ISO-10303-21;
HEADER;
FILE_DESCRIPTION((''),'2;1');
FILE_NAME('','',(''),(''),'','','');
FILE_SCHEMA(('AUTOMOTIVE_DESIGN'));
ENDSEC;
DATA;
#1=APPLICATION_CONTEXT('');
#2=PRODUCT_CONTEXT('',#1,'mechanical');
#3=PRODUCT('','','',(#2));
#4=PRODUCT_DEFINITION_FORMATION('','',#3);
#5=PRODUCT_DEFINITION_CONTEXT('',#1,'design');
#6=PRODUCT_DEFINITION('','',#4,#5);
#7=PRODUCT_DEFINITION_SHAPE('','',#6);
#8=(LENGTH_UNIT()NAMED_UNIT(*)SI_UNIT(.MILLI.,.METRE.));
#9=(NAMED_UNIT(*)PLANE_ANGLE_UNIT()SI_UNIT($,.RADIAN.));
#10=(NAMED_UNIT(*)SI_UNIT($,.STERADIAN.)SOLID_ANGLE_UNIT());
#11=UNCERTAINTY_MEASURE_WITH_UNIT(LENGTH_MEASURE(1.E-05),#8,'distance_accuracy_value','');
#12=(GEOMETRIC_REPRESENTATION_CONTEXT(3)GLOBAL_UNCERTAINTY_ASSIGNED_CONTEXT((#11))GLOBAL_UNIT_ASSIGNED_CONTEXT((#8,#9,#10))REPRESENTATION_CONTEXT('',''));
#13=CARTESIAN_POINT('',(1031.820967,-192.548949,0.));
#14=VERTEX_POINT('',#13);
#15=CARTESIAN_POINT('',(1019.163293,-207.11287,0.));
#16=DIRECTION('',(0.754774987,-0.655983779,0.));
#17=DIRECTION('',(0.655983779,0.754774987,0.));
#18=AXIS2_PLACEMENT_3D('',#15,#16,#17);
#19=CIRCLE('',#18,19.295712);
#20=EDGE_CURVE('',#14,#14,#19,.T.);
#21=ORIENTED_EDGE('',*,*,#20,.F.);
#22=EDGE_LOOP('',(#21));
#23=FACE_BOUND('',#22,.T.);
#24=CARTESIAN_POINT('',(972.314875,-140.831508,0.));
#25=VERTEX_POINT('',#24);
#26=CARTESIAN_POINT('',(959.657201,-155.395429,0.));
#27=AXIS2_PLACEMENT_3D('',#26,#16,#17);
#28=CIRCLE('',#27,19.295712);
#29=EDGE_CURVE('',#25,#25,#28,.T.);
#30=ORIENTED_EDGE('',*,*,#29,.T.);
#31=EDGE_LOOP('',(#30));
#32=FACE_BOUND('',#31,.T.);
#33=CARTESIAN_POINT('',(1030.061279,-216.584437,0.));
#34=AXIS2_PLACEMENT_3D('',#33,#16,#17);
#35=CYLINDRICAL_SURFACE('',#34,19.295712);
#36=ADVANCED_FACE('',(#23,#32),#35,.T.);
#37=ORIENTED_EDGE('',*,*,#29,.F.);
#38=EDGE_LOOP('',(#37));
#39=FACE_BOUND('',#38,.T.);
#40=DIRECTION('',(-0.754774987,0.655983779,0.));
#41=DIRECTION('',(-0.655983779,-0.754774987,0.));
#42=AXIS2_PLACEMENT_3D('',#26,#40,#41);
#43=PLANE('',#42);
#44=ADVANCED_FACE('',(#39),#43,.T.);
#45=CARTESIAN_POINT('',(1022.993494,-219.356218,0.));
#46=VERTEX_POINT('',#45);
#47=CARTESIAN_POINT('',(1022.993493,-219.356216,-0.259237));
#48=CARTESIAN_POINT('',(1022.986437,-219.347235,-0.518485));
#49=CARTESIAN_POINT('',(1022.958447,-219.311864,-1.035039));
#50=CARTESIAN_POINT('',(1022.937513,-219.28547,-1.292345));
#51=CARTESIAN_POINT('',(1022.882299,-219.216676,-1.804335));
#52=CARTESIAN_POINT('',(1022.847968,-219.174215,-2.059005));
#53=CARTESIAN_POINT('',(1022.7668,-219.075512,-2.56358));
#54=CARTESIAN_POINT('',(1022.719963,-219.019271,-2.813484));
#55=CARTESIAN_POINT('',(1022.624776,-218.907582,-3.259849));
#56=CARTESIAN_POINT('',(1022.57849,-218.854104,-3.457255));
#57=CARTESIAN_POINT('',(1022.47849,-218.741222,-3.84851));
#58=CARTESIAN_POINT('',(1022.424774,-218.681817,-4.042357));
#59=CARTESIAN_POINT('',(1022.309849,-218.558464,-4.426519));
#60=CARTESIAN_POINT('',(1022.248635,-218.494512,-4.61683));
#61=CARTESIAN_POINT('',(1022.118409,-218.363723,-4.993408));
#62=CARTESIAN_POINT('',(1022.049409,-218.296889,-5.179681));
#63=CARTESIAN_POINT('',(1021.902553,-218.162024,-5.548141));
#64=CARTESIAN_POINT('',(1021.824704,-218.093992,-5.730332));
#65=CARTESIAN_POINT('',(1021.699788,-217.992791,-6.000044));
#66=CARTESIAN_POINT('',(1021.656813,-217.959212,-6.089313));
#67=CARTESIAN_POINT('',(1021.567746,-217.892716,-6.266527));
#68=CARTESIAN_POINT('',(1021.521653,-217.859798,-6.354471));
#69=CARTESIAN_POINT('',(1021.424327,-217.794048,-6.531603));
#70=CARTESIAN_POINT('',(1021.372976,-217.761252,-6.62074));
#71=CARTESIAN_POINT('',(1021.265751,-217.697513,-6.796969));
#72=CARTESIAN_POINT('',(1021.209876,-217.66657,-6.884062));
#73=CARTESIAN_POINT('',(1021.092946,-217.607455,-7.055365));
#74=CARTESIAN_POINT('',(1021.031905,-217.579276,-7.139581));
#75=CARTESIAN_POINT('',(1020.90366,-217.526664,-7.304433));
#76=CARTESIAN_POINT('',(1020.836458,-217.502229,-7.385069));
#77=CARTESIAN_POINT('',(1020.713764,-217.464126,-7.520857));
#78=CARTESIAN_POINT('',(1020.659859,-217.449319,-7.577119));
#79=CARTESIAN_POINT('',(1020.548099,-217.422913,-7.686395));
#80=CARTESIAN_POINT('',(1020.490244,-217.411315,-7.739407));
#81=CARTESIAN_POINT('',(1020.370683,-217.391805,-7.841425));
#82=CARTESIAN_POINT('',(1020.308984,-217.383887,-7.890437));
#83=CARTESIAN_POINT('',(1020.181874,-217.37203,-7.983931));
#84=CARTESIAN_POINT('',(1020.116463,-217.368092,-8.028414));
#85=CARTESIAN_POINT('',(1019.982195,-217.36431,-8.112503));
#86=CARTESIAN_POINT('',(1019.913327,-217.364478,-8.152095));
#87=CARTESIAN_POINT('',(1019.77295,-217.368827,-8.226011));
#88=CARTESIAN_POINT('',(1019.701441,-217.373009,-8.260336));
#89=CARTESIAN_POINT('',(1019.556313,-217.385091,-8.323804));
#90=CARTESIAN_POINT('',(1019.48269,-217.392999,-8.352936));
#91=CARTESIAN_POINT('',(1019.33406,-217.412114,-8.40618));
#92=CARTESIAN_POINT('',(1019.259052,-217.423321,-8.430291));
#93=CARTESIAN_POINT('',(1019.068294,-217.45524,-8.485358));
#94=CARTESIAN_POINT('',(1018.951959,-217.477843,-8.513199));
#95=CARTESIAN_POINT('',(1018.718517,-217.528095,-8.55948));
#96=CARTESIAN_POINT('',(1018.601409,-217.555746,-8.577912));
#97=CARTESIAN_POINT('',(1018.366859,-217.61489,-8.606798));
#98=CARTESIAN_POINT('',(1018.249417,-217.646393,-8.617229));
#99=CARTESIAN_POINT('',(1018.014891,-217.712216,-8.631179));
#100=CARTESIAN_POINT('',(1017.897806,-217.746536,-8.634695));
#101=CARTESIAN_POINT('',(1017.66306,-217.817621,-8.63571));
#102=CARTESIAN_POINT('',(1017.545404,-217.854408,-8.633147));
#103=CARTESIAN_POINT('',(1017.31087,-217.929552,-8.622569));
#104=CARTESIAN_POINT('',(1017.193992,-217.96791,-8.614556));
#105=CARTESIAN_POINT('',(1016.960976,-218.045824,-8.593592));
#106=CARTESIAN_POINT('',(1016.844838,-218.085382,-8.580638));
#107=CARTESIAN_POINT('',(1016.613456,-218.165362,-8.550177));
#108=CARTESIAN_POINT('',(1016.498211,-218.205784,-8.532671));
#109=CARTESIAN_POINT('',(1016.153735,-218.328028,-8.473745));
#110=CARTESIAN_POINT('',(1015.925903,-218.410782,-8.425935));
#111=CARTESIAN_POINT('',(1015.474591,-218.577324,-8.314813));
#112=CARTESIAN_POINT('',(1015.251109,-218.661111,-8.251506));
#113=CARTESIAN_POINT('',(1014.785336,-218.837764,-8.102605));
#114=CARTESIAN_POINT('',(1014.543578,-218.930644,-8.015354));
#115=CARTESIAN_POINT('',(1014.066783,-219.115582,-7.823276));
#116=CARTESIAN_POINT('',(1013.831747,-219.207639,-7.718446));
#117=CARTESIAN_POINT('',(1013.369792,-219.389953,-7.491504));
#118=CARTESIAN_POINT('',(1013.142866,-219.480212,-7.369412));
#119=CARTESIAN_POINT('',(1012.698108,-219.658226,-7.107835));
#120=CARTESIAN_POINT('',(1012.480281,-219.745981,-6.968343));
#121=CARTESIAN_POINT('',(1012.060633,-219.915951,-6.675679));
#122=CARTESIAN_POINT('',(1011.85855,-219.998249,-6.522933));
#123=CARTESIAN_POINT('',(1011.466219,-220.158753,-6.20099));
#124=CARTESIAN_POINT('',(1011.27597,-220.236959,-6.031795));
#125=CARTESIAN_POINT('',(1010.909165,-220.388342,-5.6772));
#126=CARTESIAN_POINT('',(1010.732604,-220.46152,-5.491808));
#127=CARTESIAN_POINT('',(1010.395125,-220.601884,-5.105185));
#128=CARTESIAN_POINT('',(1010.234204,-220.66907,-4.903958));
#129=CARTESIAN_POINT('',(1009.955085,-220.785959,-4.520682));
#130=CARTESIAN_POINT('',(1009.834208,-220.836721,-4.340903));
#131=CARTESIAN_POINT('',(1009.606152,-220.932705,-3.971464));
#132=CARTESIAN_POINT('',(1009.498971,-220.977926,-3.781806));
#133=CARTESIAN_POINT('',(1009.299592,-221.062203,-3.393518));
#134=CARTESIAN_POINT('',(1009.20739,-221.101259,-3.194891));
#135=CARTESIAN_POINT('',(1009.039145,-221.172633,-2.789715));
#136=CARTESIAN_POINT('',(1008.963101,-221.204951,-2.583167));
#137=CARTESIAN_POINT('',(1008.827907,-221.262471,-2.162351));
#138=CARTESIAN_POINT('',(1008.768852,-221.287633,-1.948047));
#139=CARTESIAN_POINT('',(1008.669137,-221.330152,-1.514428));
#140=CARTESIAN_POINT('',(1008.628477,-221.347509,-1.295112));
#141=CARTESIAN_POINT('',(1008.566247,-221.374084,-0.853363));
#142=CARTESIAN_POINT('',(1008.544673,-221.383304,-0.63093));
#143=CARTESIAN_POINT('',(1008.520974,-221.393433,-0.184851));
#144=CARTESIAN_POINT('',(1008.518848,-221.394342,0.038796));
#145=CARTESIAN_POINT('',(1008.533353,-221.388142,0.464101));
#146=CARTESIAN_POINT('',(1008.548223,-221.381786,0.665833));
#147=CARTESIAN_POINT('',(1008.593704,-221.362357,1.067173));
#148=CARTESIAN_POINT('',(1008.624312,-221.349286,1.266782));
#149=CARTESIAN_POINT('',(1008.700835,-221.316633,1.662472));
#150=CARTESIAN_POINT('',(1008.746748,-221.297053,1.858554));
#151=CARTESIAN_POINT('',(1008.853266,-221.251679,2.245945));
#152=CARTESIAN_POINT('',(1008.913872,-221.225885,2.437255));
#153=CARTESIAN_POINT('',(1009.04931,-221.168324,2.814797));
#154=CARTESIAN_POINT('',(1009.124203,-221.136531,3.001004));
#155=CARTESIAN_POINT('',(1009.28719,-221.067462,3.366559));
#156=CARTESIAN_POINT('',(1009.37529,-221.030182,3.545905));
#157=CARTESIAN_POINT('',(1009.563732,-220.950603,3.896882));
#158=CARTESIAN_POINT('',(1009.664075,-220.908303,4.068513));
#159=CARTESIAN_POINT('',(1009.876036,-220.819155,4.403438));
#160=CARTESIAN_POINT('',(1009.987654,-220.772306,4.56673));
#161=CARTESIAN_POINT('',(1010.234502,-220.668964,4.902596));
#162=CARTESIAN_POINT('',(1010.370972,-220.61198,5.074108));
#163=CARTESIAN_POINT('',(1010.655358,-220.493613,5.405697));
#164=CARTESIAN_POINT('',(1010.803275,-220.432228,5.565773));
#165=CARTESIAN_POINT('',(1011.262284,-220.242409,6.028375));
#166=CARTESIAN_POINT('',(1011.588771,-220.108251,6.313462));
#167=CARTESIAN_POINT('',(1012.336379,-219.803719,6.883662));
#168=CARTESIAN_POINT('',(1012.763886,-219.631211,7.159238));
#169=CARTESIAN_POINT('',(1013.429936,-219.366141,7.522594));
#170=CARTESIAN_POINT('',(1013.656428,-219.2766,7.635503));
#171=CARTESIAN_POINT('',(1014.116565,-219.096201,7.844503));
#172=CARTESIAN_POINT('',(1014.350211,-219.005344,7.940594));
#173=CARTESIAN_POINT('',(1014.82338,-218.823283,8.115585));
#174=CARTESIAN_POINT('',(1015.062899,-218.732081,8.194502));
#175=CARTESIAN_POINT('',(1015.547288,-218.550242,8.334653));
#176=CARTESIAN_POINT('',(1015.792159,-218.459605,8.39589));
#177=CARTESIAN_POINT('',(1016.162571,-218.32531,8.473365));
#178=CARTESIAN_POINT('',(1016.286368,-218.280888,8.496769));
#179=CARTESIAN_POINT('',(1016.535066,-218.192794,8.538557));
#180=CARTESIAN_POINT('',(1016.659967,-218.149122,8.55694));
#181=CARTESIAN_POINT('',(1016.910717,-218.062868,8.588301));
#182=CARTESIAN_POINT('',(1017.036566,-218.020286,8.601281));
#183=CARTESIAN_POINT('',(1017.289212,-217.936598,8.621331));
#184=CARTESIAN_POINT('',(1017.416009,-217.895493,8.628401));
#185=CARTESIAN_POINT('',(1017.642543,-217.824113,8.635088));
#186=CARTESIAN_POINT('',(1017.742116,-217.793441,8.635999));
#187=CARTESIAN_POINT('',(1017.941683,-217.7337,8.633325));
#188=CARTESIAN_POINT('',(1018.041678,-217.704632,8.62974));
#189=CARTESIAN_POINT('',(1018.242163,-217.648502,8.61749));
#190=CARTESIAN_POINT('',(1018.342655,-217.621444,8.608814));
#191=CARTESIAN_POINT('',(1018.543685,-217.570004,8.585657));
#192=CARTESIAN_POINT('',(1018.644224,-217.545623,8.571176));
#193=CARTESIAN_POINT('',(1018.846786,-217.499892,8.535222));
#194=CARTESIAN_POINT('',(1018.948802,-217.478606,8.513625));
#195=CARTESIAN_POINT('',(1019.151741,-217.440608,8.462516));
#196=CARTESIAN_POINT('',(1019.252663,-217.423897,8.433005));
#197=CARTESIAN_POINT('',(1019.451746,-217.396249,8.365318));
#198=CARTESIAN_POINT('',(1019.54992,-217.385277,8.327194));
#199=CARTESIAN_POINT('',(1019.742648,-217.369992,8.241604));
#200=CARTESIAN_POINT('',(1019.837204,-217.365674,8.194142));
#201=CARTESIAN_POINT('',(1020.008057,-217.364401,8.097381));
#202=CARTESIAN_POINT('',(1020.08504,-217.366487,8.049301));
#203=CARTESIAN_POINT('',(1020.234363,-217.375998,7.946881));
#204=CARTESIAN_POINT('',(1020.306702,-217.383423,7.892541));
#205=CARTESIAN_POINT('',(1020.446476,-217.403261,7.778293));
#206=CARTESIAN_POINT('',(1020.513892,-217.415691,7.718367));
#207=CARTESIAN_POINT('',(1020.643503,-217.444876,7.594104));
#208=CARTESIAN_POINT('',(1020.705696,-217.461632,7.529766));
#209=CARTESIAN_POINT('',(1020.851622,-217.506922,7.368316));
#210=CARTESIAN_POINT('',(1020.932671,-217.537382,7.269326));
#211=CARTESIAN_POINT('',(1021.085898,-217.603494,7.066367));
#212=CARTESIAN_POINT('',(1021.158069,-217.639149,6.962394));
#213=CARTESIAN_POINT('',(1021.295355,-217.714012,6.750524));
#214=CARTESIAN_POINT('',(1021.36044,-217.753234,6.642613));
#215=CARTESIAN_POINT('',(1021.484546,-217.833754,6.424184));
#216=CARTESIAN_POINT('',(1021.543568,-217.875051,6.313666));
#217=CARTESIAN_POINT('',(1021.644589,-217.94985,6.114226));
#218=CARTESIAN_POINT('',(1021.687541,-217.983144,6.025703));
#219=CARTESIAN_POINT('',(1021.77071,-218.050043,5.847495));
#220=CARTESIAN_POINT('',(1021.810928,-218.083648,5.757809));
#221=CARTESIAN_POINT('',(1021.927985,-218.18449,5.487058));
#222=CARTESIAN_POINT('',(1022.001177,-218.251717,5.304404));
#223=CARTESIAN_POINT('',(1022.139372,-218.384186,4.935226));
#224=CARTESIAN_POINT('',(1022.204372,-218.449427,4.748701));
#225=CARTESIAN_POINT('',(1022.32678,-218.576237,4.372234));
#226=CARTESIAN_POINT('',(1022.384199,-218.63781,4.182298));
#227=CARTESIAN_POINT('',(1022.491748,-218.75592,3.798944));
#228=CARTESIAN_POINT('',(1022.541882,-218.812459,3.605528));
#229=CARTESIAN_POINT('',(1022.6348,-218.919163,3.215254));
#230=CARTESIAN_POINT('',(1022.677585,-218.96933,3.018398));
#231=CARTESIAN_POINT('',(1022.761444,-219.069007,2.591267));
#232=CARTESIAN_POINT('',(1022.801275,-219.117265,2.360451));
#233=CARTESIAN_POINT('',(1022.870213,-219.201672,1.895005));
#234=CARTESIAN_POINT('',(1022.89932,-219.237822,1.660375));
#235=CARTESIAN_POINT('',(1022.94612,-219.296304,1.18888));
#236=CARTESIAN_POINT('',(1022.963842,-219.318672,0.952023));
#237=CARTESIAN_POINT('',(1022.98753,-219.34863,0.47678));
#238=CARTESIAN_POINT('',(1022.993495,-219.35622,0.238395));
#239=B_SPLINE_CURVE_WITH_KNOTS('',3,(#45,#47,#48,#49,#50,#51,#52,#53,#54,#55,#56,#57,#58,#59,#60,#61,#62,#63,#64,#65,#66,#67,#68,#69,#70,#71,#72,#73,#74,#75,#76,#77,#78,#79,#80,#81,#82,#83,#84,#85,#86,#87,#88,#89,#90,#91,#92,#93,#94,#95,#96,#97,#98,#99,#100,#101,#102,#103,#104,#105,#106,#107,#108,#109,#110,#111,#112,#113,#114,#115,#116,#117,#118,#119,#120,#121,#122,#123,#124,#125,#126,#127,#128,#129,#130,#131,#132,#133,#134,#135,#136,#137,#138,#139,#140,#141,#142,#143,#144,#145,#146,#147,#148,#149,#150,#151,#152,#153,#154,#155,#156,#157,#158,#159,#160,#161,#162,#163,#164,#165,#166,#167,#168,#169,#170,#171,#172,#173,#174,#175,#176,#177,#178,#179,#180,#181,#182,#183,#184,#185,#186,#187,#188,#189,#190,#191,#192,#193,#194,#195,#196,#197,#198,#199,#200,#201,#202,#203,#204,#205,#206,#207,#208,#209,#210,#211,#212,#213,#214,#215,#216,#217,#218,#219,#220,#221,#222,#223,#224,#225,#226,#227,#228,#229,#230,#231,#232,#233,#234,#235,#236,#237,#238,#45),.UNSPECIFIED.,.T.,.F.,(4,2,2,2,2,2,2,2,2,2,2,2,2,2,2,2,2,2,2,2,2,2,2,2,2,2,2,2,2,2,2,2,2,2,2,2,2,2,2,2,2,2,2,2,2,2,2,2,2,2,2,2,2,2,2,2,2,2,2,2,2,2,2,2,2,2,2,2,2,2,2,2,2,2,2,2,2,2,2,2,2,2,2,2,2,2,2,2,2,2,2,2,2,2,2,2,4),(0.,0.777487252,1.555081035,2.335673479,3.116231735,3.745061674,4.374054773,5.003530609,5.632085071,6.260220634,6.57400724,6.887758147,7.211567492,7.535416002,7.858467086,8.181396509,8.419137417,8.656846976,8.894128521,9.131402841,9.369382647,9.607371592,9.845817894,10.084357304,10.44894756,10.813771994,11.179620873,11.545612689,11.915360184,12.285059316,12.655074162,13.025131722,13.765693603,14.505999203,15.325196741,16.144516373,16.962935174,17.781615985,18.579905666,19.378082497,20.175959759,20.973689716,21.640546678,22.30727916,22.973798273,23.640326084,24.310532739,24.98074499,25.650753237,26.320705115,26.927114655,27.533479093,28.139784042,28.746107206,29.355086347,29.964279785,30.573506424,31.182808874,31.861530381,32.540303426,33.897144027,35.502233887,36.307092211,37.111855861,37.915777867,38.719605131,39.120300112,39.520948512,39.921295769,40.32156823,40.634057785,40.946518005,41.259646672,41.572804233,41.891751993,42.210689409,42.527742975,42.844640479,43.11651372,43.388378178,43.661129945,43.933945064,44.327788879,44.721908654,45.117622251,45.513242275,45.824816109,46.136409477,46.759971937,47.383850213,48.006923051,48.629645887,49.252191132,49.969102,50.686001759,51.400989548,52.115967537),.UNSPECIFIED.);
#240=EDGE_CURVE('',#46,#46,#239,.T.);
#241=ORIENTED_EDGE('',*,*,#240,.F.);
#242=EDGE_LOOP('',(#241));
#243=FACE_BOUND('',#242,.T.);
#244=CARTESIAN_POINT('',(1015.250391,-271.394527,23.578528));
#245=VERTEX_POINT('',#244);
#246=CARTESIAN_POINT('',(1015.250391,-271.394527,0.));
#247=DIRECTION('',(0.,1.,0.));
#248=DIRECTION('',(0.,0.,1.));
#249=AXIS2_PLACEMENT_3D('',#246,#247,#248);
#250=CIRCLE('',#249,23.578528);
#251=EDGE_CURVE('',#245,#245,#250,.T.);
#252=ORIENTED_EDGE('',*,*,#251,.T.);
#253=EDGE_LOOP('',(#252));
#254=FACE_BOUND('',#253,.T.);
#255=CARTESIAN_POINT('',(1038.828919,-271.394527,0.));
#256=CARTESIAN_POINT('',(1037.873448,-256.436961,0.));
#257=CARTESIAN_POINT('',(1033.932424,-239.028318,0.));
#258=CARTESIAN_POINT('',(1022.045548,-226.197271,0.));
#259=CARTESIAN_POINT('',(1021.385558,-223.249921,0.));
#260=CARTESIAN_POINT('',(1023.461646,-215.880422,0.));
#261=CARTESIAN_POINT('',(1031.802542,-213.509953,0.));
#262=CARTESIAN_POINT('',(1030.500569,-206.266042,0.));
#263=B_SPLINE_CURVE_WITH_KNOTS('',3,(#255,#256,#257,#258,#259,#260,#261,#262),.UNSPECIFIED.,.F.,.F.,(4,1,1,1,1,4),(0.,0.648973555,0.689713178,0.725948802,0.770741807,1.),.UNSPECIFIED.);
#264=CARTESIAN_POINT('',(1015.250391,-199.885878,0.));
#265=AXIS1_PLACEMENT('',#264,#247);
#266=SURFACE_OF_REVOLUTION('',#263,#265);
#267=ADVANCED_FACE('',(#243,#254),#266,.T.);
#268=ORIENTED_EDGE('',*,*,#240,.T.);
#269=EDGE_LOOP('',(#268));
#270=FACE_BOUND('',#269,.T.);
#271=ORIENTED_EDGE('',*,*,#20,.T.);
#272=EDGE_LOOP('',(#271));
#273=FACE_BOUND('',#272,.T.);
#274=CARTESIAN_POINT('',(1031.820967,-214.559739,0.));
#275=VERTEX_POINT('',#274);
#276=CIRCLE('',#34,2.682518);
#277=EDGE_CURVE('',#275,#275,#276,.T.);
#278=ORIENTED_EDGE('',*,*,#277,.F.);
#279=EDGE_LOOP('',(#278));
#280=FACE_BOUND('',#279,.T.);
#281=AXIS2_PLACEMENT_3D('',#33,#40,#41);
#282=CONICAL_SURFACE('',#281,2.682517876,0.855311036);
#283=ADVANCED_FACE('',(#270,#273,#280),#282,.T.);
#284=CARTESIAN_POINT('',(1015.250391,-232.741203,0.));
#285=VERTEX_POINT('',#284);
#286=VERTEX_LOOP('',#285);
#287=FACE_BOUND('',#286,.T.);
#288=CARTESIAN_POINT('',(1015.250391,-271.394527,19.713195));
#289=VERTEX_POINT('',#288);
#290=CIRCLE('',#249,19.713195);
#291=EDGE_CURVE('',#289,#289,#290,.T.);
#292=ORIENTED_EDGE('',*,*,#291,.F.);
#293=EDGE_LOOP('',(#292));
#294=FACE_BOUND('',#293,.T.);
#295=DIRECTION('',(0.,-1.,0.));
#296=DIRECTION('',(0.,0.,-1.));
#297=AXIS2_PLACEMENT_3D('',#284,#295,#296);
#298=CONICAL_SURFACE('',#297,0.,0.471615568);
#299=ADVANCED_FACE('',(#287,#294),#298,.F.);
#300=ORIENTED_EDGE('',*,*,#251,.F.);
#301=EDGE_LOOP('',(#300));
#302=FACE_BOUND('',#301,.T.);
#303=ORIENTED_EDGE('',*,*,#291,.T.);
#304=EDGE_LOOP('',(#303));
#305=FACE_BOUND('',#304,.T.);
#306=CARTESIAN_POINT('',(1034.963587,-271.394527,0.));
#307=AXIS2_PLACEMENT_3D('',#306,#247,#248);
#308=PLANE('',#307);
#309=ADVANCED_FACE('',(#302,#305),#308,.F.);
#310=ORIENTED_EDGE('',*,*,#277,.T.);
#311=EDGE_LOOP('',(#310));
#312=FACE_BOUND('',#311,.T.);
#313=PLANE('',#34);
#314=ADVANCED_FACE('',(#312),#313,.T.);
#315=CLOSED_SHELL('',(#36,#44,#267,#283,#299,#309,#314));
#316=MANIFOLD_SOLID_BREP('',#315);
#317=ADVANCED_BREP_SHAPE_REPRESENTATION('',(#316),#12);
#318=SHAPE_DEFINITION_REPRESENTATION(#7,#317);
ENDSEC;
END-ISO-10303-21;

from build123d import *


with BuildPart() as part:
    # Sketch2 → Revolve1 (revolve)
    with BuildSketch(Plane.XY):
        Polygon((1030.061278696, -216.58443678), (959.657201148, -155.39542863), (972.314875011, -140.831508096), (1031.82096691, -192.548949314), (1031.82096691, -214.559739384), align=None)
    revolve(axis=Axis((1030.061278696, -216.58443678, 0), (-0.754774987, 0.655983779, 0)))

    # Sketch1 → Revolve2 (revolve)
    with BuildSketch(Plane.XY, mode=Mode.PRIVATE) as revolve2_sk:
        with BuildLine():
            Line((1034.963586572, -271.3945274), (1038.828918992, -271.3945274))
            add(Edge.make_bspline(
                [(1038.828918992, -271.3945274), (1037.873448174, -256.436961098), (1033.932423541, -239.028318184), (1022.04554778, -226.197270809), (1021.385558194, -223.249921116), (1023.46164644, -215.880421657), (1031.802541842, -213.509952537), (1030.500568899, -206.266042019)],
                knots=[0, 0, 0, 0, 0.648973555, 0.689713178, 0.725948802, 0.770741807, 1, 1, 1, 1], degree=3))
            Line((1030.500568899, -206.266042019), (1015.25039123, -206.266042019))
            Line((1015.25039123, -206.266042019), (1015.25039123, -232.741203199))
            Line((1015.25039123, -232.741203199), (1034.963586572, -271.3945274))
        make_face()
    revolve(revolve2_sk.sketch.rotate(Axis((1015.25039123, -199.885877629, 0), (0, -1, 0)), 270), axis=Axis((1015.25039123, -199.885877629, 0), (0, -1, 0)))  # turned: the seam where the file's is


solid = part.part
